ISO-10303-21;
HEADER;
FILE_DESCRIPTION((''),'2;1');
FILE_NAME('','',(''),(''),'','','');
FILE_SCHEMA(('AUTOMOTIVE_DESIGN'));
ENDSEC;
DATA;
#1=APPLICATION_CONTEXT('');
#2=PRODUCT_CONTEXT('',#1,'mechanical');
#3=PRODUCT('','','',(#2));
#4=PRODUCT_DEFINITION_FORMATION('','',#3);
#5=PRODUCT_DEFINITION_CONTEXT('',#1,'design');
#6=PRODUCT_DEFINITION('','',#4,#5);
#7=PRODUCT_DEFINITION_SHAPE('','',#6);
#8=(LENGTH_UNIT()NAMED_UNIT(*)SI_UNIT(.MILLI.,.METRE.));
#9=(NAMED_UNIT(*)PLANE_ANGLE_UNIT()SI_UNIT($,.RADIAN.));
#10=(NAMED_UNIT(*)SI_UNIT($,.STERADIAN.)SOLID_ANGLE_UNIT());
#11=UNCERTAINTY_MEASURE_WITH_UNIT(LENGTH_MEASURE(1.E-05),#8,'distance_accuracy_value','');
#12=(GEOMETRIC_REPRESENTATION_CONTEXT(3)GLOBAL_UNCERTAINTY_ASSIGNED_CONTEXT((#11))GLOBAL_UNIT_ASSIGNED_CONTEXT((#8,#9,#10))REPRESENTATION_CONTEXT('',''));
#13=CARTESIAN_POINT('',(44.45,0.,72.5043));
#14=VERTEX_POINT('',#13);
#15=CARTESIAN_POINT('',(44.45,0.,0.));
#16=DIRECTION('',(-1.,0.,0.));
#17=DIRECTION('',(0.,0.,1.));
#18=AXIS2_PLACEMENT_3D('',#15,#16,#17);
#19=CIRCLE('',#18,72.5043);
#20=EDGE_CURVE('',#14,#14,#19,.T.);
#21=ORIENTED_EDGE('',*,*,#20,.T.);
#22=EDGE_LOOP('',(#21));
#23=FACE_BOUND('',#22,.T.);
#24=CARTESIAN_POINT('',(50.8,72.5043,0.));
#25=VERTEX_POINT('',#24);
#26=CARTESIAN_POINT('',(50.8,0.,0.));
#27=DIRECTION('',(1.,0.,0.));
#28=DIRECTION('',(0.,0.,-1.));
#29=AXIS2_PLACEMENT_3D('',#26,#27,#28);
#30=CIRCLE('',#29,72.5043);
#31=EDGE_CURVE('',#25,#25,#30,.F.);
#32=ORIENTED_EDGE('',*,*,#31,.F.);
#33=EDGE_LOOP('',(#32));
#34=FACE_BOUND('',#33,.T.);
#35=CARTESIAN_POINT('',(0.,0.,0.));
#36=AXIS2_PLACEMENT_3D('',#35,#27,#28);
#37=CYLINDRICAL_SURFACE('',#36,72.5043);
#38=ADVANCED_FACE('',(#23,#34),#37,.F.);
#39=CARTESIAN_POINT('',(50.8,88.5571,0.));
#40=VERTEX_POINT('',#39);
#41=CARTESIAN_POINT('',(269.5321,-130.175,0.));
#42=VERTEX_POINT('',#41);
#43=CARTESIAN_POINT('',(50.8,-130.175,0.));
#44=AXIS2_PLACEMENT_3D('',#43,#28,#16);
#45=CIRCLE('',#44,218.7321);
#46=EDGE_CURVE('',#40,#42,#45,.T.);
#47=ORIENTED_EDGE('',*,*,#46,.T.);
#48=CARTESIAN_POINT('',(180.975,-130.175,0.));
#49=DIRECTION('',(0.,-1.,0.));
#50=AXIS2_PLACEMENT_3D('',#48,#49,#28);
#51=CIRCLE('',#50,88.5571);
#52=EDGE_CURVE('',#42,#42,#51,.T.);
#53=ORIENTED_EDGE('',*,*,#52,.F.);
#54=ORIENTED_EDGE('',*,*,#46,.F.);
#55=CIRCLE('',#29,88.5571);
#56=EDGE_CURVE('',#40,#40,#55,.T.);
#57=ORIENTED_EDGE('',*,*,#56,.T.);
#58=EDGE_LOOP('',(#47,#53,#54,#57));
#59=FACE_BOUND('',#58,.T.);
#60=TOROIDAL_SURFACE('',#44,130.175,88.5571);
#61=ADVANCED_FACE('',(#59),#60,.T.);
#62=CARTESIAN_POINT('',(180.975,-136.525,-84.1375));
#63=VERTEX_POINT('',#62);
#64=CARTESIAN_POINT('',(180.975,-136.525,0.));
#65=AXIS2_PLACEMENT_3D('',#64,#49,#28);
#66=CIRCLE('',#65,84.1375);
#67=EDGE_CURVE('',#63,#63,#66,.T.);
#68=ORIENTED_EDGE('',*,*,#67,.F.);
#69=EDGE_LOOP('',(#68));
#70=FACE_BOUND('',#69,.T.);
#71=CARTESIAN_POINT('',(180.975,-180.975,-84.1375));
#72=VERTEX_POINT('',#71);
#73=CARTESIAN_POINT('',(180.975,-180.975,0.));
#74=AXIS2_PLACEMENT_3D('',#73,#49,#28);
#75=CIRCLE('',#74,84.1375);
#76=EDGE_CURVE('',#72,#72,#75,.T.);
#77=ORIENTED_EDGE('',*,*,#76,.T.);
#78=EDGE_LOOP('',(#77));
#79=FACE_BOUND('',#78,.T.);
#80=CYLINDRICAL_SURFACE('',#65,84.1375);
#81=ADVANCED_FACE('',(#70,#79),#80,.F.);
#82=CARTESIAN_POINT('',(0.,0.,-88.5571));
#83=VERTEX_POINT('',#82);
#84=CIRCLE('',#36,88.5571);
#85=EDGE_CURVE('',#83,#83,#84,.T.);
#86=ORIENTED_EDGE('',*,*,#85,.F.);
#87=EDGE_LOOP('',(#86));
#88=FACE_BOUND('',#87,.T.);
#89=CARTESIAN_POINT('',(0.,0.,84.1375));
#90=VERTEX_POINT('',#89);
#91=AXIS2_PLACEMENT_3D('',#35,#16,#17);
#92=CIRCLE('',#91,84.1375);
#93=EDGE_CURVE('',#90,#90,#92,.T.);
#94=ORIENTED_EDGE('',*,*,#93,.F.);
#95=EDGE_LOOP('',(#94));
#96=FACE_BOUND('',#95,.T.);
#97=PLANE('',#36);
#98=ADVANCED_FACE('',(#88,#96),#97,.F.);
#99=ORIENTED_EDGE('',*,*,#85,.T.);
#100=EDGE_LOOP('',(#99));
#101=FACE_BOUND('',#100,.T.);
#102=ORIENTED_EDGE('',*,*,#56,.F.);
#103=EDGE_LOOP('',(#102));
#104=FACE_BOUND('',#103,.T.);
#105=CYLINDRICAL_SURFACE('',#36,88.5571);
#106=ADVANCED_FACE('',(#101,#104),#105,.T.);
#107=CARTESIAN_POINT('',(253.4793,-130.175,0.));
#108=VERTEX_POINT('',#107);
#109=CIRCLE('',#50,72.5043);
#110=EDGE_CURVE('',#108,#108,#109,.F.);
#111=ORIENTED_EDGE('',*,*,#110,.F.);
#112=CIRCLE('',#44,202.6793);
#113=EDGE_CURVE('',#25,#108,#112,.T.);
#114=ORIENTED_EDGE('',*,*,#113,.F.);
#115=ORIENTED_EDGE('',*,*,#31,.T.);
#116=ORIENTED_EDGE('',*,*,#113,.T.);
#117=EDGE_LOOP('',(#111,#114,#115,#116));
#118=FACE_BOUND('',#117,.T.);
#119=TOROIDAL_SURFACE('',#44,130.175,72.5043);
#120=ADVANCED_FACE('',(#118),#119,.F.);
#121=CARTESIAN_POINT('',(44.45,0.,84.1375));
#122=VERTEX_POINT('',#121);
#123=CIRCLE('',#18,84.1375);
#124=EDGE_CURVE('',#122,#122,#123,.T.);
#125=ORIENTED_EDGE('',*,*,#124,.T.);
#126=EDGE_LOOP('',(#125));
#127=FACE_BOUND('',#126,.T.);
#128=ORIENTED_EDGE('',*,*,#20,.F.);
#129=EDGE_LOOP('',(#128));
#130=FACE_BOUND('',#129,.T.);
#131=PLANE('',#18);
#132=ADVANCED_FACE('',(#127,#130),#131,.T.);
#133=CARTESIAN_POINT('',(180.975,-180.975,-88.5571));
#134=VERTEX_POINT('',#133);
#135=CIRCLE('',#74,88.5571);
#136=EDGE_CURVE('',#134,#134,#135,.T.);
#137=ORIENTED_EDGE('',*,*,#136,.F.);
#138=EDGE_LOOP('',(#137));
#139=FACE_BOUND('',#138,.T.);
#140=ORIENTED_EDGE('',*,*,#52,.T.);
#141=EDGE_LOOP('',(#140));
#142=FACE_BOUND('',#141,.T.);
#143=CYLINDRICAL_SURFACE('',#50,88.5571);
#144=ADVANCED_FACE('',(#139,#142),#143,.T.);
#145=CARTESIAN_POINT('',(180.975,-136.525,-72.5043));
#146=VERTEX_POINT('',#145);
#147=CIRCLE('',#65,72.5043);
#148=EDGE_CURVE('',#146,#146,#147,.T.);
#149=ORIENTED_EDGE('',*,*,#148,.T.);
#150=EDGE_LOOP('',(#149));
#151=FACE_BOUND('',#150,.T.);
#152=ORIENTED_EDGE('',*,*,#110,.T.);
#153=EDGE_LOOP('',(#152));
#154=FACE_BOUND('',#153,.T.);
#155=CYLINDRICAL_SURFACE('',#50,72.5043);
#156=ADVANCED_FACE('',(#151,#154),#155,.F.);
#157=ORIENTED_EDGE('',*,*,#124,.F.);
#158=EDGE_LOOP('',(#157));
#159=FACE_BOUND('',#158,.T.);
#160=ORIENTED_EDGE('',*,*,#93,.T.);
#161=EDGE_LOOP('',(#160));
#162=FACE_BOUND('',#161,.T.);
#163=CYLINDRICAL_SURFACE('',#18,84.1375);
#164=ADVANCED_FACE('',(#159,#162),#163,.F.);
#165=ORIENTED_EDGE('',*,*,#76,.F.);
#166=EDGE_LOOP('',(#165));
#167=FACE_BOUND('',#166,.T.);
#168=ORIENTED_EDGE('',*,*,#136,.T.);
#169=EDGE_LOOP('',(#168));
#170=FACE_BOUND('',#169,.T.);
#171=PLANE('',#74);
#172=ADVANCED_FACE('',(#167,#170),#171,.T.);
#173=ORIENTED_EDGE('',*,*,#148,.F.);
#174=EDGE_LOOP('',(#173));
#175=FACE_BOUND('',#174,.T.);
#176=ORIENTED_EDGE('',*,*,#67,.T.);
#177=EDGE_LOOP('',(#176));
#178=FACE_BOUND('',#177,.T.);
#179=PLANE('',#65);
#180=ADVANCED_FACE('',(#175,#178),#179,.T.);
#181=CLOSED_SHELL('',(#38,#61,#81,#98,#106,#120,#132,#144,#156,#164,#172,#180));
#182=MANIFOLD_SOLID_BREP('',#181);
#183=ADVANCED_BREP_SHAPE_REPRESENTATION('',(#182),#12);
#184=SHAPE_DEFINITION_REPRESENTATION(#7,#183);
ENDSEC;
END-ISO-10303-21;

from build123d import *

# Parameters (mm, degrees)
SKETCH1_R          = 88.5571
SKETCH1_R_2        = 72.5043
SKETCH3_R          = 84.1375
CUT_EXTRUDE1_DEPTH = 44.45
SKETCH4_R          = 84.1375
CUT_EXTRUDE2_DEPTH = 44.45


with BuildPart() as part:
    # Sweep1: sweep along a path in Sketch2
    with BuildLine(Plane.XY) as sweep1_path:
        Line((0, 0), (50.8, 0))
        ThreePointArc((50.8, 0), (142.847625241, -38.127374759), (180.975, -130.175))
        Line((180.975, -130.175), (180.975, -180.975))
    # Sketch1 → Sweep1 (sweep)
    with BuildSketch(Plane(origin=(0, 0, 0), x_dir=(0, 0, -1), z_dir=(1, 0, 0))):
        Circle(SKETCH1_R)
        Circle(SKETCH1_R_2, mode=Mode.SUBTRACT)
    sweep(path=sweep1_path.line)

    # Sketch3 → Cut-Extrude1 (cut)
    with BuildSketch(Plane(origin=(0, -180.975, 0), x_dir=(-1, 0, 0), z_dir=(0, -1, 0))):
        with Locations((-180.975, 0)):
            Circle(SKETCH3_R)
    extrude(amount=-CUT_EXTRUDE1_DEPTH, mode=Mode.SUBTRACT)

    # Sketch4 → Cut-Extrude2 (cut)
    with BuildSketch(Plane.ZY):
        Circle(SKETCH4_R)
    extrude(amount=-CUT_EXTRUDE2_DEPTH, mode=Mode.SUBTRACT)


solid = part.part
